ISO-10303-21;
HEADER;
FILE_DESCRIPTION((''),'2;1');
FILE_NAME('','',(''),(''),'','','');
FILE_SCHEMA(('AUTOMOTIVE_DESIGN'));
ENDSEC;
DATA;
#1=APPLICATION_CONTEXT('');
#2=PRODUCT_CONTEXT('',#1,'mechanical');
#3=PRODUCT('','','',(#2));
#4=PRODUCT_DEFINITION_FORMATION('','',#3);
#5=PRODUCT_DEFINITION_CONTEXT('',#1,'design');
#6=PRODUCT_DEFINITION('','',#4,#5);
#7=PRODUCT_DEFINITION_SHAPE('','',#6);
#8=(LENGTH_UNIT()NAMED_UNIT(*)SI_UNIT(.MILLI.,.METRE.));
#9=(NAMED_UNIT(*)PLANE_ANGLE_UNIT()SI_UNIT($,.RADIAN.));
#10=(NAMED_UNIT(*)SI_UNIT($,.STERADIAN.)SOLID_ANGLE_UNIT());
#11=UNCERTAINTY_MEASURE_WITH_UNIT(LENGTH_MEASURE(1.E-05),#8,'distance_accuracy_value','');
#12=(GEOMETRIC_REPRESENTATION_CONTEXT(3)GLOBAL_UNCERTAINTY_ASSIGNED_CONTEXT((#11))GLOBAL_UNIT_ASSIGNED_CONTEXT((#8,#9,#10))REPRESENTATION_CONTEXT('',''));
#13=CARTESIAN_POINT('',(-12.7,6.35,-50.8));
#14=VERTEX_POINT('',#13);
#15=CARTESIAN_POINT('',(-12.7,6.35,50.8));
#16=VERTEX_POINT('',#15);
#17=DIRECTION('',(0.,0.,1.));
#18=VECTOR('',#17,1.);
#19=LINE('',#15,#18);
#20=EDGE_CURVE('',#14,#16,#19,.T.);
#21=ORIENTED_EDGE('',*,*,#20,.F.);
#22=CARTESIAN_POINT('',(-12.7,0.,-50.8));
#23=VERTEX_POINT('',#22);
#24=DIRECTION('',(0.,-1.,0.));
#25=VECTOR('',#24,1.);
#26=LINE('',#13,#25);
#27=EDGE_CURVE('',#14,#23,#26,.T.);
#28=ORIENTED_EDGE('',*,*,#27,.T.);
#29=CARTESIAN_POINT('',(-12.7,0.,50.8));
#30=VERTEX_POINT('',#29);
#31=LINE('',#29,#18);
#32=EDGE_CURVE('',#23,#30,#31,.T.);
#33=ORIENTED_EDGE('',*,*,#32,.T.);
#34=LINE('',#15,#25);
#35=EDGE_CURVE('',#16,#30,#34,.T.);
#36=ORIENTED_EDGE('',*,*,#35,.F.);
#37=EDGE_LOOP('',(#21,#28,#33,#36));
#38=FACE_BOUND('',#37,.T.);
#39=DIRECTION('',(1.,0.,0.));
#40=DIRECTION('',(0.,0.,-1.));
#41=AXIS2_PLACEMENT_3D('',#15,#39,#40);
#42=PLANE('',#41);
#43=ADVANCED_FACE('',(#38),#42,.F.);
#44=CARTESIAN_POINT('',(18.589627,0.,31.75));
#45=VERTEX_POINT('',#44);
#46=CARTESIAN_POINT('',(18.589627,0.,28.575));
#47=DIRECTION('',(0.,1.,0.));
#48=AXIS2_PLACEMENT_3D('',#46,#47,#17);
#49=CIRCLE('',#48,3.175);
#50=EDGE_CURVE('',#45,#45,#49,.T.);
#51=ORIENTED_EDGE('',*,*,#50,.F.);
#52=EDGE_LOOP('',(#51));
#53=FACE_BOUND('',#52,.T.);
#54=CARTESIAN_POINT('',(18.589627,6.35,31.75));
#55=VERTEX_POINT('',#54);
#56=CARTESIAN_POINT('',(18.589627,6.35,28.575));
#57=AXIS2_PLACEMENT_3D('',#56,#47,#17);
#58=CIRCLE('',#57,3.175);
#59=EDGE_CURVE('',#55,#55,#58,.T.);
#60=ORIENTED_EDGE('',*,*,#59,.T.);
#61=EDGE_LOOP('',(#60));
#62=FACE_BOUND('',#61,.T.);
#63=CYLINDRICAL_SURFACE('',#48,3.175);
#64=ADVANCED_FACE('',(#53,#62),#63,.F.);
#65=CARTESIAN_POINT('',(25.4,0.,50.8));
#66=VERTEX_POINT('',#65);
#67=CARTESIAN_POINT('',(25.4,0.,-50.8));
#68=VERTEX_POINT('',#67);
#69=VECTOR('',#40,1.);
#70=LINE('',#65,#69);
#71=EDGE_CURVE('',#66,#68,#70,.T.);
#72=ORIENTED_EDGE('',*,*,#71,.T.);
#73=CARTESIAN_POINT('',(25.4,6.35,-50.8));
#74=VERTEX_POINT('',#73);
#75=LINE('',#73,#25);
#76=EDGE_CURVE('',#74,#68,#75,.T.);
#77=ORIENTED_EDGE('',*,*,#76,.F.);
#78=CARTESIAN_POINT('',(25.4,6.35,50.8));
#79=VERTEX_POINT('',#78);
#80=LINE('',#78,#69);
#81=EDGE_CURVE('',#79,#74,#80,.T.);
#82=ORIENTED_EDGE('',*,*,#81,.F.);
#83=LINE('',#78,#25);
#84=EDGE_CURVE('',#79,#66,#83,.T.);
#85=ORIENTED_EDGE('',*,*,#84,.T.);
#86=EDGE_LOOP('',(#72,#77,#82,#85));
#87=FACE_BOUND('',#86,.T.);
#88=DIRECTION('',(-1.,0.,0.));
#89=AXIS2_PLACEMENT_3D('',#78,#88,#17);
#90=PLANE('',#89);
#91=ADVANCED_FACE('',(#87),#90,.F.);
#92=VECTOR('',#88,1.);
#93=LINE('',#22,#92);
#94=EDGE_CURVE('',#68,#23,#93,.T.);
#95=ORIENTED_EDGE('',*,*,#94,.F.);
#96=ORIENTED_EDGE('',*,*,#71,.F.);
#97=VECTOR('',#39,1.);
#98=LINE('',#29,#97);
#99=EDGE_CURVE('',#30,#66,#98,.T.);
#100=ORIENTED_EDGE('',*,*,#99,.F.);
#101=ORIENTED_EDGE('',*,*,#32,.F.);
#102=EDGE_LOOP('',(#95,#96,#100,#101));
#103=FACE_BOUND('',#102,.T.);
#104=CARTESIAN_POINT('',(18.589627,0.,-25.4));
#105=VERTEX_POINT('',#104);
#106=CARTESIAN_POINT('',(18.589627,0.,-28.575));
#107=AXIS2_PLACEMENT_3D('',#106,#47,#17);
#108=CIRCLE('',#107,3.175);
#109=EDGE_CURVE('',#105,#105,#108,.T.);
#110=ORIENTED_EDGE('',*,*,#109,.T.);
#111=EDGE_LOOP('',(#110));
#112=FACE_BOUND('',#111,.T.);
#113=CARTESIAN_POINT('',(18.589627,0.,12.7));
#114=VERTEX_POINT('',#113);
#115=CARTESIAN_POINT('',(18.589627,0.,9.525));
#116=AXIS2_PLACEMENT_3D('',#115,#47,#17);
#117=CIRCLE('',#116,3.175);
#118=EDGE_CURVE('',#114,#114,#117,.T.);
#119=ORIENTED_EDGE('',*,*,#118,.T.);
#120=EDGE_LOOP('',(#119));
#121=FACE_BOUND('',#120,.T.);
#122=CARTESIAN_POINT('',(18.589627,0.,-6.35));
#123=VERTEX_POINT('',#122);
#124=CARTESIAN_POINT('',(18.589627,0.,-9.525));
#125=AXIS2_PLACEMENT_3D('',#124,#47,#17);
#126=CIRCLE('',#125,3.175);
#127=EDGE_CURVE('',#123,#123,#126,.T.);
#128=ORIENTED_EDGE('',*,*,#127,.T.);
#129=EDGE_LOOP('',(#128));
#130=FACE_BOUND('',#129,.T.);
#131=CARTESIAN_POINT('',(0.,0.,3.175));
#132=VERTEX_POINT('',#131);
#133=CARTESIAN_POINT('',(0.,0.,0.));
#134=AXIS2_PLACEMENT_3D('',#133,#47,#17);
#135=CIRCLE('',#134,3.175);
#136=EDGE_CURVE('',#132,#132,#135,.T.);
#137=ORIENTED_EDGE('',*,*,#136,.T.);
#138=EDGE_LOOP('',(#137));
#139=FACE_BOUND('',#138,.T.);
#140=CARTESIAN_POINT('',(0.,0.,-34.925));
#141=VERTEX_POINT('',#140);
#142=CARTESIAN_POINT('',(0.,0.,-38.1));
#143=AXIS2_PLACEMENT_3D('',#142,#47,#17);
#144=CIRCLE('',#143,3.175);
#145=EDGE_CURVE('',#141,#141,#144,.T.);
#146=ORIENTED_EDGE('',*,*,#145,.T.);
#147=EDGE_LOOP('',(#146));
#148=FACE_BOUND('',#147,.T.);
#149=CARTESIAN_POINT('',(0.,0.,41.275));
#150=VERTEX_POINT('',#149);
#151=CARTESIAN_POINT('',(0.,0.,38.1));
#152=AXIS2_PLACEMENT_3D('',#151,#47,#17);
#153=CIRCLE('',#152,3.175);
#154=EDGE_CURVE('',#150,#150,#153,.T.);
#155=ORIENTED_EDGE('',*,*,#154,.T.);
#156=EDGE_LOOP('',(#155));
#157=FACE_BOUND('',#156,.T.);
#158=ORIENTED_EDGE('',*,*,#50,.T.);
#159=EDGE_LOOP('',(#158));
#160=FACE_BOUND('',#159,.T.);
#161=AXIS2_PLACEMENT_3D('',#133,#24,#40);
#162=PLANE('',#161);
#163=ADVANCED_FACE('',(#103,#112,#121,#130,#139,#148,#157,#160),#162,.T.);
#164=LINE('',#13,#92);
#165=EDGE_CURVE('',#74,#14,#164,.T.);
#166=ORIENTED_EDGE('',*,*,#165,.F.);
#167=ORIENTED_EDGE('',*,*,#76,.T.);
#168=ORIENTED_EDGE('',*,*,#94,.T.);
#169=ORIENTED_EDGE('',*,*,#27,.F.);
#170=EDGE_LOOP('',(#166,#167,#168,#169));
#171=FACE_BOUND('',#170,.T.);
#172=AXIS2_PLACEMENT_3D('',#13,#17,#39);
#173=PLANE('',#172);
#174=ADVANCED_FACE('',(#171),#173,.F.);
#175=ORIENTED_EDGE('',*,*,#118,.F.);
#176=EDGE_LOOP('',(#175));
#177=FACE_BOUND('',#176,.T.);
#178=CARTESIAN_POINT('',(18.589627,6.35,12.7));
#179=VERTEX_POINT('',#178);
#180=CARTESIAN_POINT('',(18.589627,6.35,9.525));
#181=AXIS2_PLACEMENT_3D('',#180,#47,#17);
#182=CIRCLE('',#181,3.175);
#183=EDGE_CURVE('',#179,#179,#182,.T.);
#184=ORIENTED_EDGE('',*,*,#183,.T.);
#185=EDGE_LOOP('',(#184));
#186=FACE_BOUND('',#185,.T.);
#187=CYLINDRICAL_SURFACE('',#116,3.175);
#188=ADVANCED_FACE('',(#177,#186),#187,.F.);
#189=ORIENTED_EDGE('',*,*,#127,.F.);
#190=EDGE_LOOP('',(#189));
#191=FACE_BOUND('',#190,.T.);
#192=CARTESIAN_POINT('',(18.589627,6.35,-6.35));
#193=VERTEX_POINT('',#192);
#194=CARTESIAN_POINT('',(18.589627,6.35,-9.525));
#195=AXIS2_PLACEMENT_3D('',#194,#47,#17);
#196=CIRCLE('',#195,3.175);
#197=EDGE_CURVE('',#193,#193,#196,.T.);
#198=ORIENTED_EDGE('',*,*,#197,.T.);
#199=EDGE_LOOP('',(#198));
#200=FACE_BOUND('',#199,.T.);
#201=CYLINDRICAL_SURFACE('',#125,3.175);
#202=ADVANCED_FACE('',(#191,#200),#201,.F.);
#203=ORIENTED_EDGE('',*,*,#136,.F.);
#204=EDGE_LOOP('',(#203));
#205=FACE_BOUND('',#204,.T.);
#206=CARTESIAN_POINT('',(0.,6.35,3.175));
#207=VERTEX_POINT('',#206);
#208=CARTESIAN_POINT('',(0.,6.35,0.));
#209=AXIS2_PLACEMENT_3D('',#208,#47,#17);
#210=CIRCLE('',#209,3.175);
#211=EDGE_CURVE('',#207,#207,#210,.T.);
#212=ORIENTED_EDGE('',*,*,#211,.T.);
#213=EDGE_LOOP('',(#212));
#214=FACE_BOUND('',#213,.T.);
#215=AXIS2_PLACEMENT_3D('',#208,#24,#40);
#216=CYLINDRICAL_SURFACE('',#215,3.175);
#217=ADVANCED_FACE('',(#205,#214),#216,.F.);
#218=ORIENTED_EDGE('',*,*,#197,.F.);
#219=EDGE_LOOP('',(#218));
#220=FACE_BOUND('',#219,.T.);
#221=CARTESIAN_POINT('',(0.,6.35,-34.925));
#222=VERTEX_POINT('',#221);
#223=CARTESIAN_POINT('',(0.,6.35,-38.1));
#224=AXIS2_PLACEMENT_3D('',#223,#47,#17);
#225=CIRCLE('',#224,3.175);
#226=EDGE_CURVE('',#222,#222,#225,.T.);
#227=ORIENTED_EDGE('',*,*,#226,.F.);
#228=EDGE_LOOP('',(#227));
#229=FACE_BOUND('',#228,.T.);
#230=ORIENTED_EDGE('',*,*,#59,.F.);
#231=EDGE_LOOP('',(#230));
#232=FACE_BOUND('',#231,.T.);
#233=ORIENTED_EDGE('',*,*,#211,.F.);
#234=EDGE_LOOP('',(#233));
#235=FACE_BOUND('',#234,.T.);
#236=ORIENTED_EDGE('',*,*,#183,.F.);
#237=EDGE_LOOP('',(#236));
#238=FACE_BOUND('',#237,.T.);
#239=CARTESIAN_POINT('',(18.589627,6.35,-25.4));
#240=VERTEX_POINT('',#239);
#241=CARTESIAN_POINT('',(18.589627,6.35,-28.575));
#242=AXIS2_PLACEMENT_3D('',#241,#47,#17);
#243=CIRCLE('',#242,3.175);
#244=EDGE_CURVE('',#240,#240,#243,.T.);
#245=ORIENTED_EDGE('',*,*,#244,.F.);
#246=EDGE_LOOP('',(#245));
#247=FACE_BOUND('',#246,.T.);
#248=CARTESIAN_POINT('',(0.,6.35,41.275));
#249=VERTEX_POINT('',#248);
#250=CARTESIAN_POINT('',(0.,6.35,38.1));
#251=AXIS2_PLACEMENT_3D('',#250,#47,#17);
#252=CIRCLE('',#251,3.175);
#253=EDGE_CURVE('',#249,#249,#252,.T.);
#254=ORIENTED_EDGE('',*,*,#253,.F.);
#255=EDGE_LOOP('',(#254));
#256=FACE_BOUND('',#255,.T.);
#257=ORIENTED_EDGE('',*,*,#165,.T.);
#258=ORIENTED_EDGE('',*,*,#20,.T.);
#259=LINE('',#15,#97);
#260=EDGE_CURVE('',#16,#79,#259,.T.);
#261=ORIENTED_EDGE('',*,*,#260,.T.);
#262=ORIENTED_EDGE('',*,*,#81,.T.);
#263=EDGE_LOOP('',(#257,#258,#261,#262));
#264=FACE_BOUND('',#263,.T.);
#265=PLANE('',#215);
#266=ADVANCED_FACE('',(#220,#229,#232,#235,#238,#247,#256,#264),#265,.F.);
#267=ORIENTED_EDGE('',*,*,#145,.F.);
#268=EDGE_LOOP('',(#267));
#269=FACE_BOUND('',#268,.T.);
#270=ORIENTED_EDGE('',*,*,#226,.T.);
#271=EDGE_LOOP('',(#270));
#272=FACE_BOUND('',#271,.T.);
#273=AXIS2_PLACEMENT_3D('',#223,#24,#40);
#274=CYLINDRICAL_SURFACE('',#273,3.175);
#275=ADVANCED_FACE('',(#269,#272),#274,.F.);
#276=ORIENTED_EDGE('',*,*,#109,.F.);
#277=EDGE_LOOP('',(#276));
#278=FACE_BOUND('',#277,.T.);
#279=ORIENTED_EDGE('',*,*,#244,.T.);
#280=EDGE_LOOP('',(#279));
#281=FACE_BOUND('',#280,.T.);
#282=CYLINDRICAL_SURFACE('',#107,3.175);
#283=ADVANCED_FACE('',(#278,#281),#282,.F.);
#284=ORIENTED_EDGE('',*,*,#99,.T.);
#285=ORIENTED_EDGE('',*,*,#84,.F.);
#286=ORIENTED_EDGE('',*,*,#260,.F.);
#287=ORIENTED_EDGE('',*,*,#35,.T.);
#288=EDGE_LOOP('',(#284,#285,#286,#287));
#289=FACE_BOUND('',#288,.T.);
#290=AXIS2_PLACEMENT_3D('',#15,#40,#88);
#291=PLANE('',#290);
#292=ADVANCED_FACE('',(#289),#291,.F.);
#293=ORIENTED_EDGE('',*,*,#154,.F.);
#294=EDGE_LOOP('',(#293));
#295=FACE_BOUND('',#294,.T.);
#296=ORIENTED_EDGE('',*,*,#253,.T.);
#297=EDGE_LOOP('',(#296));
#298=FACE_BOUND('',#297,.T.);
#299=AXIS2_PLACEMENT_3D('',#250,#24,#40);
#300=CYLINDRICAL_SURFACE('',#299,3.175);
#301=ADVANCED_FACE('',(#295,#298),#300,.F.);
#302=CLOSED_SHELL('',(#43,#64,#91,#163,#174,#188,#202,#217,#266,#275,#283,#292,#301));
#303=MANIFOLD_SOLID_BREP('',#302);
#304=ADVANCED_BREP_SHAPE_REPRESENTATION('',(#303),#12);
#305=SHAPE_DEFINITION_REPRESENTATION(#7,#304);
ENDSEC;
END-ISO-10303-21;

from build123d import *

# Parameters (mm, degrees)
SKETCH2_W           = 38.1
SKETCH2_H           = 101.6
SKETCH2_R           = 3.175
BOSS_EXTRUDE1_DEPTH = 6.35
SKETCH3_R           = 3.175
CUT_EXTRUDE2_DEPTH  = 7.35


with BuildPart() as part:
    # Sketch2 → Boss-Extrude1 (new body)
    with BuildSketch(Plane(origin=(0, 0, 0), x_dir=(1, 0, 0), z_dir=(0, 1, 0))):
        with Locations((6.35, 0)):
            Rectangle(SKETCH2_W, SKETCH2_H)
        Circle(SKETCH2_R, mode=Mode.SUBTRACT)
        with Locations((0, 38.1)):
            Circle(SKETCH2_R, mode=Mode.SUBTRACT)
        with Locations((0, -38.1)):
            Circle(SKETCH2_R, mode=Mode.SUBTRACT)
    extrude(amount=BOSS_EXTRUDE1_DEPTH)

    # Sketch3 → Cut-Extrude2 (cut, through all)
    with BuildSketch(Plane(origin=(0, 6.35, 0), x_dir=(1, 0, 0), z_dir=(0, 1, 0))):
        with Locations((18.58962745, 28.575)):
            Circle(SKETCH3_R)
        with Locations((18.58962745, 9.525)):
            Circle(SKETCH3_R)
        with Locations((18.58962745, -9.525)):
            Circle(SKETCH3_R)
        with Locations((18.58962745, -28.575)):
            Circle(SKETCH3_R)
    extrude(amount=-CUT_EXTRUDE2_DEPTH, mode=Mode.SUBTRACT)


solid = part.part
